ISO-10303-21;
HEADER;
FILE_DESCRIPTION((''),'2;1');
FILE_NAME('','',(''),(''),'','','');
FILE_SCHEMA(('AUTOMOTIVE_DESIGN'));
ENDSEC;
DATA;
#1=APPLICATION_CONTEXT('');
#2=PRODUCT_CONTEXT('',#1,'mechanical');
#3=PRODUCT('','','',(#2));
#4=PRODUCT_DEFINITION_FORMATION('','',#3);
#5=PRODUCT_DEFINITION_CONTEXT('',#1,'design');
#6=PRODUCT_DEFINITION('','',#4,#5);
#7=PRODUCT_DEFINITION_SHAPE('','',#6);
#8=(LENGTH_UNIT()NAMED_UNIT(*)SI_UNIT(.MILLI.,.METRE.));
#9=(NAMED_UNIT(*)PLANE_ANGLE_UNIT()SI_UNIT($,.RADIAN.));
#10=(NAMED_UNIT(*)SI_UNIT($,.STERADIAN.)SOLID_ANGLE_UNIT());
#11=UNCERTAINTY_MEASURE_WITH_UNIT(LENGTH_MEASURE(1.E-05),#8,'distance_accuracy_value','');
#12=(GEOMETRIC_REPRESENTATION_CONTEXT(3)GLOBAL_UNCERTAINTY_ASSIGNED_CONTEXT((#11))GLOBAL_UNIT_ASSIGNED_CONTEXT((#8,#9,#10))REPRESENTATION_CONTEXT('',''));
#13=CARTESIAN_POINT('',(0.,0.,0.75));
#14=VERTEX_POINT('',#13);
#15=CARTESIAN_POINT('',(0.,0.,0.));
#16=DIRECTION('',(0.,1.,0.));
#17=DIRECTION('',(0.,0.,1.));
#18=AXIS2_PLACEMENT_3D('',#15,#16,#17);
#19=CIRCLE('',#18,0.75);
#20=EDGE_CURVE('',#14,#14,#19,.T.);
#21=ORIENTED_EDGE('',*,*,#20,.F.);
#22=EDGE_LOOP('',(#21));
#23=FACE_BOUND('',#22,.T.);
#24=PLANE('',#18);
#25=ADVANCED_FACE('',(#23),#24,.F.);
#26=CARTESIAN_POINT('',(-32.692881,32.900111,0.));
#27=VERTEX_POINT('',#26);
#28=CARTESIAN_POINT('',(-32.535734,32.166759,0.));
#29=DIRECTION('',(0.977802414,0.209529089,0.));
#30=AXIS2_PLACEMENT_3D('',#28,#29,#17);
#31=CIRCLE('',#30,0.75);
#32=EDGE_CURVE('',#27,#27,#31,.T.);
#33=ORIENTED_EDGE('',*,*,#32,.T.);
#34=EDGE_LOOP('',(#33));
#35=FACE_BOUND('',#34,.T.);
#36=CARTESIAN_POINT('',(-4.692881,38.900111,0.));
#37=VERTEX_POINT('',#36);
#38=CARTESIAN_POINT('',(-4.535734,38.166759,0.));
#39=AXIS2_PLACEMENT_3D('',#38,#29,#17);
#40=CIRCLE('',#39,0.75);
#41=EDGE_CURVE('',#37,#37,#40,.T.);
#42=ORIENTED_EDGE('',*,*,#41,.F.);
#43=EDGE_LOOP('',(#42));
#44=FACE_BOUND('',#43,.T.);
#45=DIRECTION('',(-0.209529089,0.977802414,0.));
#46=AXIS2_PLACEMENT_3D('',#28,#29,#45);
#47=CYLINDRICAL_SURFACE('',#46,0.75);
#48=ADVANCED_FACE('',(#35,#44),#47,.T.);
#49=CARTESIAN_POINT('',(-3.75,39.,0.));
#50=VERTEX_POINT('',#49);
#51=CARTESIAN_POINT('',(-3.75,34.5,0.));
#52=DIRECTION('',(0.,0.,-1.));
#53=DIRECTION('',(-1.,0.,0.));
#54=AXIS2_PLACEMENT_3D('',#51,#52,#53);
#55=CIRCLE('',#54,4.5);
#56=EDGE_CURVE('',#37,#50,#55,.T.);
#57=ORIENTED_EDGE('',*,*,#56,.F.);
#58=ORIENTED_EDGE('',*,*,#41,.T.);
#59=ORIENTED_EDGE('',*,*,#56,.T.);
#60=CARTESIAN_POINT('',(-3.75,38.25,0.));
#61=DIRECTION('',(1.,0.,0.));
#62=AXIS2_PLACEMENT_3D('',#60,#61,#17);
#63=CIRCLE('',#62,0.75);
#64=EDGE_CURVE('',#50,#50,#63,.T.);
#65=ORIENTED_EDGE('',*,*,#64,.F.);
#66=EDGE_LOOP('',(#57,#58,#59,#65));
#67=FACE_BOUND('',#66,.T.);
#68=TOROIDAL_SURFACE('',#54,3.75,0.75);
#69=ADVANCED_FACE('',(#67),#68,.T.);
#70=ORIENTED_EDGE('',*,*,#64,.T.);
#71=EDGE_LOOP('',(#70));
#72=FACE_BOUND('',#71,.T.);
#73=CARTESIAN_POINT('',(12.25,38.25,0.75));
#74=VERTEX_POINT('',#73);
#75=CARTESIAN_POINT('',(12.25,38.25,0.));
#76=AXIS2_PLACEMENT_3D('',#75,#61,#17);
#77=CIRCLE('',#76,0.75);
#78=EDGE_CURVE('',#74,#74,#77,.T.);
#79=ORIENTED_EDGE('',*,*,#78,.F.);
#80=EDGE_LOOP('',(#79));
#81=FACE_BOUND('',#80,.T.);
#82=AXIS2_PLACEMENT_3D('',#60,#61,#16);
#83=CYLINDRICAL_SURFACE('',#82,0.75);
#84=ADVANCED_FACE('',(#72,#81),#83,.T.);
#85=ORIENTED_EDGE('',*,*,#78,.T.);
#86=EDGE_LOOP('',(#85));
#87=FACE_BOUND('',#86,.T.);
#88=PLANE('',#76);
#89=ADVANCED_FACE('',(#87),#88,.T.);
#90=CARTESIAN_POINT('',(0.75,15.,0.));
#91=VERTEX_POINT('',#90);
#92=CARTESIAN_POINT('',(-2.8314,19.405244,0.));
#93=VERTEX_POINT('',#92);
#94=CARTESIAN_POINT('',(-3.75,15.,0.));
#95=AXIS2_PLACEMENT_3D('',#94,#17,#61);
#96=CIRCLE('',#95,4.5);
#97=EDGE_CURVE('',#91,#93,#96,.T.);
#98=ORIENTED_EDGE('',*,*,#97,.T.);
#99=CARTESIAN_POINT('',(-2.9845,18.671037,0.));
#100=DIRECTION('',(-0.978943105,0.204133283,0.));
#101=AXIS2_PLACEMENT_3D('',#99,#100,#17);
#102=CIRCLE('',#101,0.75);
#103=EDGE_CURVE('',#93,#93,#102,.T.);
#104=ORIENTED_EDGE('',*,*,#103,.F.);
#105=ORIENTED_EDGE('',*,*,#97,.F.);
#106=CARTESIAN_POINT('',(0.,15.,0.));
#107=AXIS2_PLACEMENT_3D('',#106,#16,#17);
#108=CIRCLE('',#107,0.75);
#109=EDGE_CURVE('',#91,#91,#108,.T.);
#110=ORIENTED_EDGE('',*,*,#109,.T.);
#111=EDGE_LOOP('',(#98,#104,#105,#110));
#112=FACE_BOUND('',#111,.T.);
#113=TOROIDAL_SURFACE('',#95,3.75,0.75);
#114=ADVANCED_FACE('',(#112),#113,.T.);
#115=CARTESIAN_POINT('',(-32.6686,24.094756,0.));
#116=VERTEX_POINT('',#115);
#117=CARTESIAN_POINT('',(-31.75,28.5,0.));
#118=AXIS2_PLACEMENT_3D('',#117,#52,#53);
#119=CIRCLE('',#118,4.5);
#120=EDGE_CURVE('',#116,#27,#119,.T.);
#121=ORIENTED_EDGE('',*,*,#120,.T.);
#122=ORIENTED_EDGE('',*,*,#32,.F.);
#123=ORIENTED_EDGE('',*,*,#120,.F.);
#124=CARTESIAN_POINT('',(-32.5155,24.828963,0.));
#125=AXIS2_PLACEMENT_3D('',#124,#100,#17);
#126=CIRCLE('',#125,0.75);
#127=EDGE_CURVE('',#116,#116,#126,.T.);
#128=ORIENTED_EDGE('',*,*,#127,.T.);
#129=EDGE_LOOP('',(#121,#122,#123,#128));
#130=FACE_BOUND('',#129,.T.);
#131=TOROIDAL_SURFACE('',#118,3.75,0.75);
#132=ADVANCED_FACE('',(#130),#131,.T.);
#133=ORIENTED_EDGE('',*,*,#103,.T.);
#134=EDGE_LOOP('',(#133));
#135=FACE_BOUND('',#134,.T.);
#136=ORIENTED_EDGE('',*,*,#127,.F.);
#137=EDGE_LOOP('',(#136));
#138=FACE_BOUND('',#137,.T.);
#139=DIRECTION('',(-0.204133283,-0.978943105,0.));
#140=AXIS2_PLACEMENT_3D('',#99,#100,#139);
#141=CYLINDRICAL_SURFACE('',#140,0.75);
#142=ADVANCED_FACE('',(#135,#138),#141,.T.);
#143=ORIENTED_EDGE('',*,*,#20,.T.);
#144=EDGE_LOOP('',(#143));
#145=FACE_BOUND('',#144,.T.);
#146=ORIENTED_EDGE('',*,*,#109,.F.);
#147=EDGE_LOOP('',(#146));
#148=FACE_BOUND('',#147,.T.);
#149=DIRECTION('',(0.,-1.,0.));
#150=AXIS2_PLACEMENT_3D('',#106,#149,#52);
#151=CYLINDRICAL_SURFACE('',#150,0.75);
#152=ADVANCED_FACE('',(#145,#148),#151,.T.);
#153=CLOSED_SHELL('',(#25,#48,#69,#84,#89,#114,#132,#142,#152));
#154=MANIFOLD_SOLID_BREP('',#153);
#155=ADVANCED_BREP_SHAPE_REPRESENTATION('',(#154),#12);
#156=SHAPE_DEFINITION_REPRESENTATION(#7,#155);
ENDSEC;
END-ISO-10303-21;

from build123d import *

# Parameters (mm, degrees)
SKIZZE2_R = 0.75


with BuildPart() as part:
    # Austragung1: sweep along a path in Skizze1
    with BuildLine(Plane.XY) as austragung1_path:
        Line((0, 0), (0, 15))
        ThreePointArc((0, 15), (-0.840264248, 17.365573473), (-2.98450019, 18.671036644))
        Line((-2.98450019, 18.671036644), (-32.51549981, 24.828963356))
        ThreePointArc((-32.51549981, 24.828963356), (-35.499985743, 28.489659261), (-32.535734083, 32.166759053))
        Line((-32.535734083, 32.166759053), (-4.535734083, 38.166759053))
        ThreePointArc((-4.535734083, 38.166759053), (-4.145065534, 38.229131698), (-3.75, 38.25))
        Line((-3.75, 38.25), (12.25, 38.25))
    # Skizze2 → Austragung1 (sweep)
    with BuildSketch(Plane(origin=(0, 0, 0), x_dir=(1, 0, 0), z_dir=(0, 1, 0))):
        Circle(SKIZZE2_R)
    sweep(path=austragung1_path.line)


solid = part.part
